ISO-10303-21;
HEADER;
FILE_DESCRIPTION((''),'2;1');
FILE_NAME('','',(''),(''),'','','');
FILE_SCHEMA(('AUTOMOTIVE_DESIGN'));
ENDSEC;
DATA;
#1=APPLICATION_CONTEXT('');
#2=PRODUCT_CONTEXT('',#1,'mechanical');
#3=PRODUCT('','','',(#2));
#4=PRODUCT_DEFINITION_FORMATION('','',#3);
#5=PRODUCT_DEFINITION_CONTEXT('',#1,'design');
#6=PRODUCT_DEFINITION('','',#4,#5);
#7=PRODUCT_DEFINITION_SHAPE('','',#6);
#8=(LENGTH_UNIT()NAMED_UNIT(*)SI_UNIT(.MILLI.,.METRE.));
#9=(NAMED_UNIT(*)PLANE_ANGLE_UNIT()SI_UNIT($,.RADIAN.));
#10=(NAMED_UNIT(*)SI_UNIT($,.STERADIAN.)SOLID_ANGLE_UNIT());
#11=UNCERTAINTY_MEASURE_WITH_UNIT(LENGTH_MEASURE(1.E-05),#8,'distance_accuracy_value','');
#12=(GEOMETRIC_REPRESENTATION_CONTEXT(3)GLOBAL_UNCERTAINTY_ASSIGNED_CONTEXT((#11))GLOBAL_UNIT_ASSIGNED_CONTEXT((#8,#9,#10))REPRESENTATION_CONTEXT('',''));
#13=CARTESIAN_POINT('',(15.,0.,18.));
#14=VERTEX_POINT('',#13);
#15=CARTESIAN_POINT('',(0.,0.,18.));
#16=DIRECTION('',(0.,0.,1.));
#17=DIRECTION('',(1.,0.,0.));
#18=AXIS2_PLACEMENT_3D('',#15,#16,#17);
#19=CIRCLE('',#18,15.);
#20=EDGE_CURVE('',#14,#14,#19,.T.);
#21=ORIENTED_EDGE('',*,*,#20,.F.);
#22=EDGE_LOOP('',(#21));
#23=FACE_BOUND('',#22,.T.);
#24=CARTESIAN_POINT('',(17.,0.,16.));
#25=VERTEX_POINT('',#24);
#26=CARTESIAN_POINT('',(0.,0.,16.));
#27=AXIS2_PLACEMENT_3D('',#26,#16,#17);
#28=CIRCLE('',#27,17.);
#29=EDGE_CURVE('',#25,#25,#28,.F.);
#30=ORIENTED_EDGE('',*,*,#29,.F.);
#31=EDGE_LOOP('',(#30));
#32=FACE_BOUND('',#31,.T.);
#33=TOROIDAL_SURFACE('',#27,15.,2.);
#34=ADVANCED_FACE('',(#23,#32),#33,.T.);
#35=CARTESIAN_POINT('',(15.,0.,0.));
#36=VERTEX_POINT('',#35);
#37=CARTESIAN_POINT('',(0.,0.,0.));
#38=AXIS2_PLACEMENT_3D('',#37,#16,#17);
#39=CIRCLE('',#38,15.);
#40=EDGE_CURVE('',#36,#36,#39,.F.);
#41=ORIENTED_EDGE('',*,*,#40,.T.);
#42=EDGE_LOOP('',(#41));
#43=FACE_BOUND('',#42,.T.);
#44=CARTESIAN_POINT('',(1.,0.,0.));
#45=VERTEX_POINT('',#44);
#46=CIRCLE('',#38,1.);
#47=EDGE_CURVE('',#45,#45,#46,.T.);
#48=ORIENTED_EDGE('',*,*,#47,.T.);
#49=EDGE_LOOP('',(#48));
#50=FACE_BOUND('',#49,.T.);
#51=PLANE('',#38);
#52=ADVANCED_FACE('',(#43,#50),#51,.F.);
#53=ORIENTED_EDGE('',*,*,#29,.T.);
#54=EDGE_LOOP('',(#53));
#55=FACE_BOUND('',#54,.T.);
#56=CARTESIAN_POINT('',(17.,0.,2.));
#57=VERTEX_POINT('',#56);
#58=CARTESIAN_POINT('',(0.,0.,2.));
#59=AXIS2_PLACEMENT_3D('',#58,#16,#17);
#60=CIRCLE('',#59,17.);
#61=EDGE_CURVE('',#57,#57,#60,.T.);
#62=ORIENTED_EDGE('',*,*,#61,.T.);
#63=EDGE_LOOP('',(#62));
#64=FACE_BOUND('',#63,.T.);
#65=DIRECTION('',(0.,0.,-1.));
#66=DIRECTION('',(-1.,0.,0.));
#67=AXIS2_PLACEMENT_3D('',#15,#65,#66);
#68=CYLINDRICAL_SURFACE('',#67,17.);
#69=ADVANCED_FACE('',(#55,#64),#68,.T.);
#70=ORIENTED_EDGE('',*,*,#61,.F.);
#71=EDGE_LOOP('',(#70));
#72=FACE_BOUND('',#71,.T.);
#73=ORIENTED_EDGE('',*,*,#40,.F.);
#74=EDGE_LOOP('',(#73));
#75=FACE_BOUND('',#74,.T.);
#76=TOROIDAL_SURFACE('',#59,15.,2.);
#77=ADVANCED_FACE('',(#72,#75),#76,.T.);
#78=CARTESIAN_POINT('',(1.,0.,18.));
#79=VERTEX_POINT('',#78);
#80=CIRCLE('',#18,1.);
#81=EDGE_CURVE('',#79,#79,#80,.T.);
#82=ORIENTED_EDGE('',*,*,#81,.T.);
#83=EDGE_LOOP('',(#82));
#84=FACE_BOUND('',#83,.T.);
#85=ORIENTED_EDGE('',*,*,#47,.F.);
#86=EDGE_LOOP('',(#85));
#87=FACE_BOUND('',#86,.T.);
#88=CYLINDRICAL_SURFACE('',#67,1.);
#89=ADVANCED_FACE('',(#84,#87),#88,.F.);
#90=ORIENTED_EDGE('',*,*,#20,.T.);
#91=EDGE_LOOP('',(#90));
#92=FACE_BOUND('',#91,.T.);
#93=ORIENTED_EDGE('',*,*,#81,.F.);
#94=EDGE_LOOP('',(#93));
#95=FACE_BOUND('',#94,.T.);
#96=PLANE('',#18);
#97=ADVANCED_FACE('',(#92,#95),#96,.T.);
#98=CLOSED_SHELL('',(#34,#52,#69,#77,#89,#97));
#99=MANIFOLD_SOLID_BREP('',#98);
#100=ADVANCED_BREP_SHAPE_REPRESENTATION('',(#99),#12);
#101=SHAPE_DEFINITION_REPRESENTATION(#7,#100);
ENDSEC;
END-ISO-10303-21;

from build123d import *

# Parameters (mm, degrees)
SKETCH1_R           = 17
SKETCH1_R_2         = 1
BOSS_EXTRUDE1_DEPTH = 18
FILLET1_R           = 2


with BuildPart() as part:
    # Sketch1 → Boss-Extrude1 (new body)
    with BuildSketch(Plane.XY):
        Circle(SKETCH1_R)
        Circle(SKETCH1_R_2, mode=Mode.SUBTRACT)
    extrude(amount=BOSS_EXTRUDE1_DEPTH)

    # Fillet1
    fillet1_edges = [part.edges().sort_by_distance(p)[0] for p in [
        (-17, 0, 0),
        (-17, 0, 18),
    ]]
    fillet(fillet1_edges, radius=FILLET1_R)


solid = part.part
